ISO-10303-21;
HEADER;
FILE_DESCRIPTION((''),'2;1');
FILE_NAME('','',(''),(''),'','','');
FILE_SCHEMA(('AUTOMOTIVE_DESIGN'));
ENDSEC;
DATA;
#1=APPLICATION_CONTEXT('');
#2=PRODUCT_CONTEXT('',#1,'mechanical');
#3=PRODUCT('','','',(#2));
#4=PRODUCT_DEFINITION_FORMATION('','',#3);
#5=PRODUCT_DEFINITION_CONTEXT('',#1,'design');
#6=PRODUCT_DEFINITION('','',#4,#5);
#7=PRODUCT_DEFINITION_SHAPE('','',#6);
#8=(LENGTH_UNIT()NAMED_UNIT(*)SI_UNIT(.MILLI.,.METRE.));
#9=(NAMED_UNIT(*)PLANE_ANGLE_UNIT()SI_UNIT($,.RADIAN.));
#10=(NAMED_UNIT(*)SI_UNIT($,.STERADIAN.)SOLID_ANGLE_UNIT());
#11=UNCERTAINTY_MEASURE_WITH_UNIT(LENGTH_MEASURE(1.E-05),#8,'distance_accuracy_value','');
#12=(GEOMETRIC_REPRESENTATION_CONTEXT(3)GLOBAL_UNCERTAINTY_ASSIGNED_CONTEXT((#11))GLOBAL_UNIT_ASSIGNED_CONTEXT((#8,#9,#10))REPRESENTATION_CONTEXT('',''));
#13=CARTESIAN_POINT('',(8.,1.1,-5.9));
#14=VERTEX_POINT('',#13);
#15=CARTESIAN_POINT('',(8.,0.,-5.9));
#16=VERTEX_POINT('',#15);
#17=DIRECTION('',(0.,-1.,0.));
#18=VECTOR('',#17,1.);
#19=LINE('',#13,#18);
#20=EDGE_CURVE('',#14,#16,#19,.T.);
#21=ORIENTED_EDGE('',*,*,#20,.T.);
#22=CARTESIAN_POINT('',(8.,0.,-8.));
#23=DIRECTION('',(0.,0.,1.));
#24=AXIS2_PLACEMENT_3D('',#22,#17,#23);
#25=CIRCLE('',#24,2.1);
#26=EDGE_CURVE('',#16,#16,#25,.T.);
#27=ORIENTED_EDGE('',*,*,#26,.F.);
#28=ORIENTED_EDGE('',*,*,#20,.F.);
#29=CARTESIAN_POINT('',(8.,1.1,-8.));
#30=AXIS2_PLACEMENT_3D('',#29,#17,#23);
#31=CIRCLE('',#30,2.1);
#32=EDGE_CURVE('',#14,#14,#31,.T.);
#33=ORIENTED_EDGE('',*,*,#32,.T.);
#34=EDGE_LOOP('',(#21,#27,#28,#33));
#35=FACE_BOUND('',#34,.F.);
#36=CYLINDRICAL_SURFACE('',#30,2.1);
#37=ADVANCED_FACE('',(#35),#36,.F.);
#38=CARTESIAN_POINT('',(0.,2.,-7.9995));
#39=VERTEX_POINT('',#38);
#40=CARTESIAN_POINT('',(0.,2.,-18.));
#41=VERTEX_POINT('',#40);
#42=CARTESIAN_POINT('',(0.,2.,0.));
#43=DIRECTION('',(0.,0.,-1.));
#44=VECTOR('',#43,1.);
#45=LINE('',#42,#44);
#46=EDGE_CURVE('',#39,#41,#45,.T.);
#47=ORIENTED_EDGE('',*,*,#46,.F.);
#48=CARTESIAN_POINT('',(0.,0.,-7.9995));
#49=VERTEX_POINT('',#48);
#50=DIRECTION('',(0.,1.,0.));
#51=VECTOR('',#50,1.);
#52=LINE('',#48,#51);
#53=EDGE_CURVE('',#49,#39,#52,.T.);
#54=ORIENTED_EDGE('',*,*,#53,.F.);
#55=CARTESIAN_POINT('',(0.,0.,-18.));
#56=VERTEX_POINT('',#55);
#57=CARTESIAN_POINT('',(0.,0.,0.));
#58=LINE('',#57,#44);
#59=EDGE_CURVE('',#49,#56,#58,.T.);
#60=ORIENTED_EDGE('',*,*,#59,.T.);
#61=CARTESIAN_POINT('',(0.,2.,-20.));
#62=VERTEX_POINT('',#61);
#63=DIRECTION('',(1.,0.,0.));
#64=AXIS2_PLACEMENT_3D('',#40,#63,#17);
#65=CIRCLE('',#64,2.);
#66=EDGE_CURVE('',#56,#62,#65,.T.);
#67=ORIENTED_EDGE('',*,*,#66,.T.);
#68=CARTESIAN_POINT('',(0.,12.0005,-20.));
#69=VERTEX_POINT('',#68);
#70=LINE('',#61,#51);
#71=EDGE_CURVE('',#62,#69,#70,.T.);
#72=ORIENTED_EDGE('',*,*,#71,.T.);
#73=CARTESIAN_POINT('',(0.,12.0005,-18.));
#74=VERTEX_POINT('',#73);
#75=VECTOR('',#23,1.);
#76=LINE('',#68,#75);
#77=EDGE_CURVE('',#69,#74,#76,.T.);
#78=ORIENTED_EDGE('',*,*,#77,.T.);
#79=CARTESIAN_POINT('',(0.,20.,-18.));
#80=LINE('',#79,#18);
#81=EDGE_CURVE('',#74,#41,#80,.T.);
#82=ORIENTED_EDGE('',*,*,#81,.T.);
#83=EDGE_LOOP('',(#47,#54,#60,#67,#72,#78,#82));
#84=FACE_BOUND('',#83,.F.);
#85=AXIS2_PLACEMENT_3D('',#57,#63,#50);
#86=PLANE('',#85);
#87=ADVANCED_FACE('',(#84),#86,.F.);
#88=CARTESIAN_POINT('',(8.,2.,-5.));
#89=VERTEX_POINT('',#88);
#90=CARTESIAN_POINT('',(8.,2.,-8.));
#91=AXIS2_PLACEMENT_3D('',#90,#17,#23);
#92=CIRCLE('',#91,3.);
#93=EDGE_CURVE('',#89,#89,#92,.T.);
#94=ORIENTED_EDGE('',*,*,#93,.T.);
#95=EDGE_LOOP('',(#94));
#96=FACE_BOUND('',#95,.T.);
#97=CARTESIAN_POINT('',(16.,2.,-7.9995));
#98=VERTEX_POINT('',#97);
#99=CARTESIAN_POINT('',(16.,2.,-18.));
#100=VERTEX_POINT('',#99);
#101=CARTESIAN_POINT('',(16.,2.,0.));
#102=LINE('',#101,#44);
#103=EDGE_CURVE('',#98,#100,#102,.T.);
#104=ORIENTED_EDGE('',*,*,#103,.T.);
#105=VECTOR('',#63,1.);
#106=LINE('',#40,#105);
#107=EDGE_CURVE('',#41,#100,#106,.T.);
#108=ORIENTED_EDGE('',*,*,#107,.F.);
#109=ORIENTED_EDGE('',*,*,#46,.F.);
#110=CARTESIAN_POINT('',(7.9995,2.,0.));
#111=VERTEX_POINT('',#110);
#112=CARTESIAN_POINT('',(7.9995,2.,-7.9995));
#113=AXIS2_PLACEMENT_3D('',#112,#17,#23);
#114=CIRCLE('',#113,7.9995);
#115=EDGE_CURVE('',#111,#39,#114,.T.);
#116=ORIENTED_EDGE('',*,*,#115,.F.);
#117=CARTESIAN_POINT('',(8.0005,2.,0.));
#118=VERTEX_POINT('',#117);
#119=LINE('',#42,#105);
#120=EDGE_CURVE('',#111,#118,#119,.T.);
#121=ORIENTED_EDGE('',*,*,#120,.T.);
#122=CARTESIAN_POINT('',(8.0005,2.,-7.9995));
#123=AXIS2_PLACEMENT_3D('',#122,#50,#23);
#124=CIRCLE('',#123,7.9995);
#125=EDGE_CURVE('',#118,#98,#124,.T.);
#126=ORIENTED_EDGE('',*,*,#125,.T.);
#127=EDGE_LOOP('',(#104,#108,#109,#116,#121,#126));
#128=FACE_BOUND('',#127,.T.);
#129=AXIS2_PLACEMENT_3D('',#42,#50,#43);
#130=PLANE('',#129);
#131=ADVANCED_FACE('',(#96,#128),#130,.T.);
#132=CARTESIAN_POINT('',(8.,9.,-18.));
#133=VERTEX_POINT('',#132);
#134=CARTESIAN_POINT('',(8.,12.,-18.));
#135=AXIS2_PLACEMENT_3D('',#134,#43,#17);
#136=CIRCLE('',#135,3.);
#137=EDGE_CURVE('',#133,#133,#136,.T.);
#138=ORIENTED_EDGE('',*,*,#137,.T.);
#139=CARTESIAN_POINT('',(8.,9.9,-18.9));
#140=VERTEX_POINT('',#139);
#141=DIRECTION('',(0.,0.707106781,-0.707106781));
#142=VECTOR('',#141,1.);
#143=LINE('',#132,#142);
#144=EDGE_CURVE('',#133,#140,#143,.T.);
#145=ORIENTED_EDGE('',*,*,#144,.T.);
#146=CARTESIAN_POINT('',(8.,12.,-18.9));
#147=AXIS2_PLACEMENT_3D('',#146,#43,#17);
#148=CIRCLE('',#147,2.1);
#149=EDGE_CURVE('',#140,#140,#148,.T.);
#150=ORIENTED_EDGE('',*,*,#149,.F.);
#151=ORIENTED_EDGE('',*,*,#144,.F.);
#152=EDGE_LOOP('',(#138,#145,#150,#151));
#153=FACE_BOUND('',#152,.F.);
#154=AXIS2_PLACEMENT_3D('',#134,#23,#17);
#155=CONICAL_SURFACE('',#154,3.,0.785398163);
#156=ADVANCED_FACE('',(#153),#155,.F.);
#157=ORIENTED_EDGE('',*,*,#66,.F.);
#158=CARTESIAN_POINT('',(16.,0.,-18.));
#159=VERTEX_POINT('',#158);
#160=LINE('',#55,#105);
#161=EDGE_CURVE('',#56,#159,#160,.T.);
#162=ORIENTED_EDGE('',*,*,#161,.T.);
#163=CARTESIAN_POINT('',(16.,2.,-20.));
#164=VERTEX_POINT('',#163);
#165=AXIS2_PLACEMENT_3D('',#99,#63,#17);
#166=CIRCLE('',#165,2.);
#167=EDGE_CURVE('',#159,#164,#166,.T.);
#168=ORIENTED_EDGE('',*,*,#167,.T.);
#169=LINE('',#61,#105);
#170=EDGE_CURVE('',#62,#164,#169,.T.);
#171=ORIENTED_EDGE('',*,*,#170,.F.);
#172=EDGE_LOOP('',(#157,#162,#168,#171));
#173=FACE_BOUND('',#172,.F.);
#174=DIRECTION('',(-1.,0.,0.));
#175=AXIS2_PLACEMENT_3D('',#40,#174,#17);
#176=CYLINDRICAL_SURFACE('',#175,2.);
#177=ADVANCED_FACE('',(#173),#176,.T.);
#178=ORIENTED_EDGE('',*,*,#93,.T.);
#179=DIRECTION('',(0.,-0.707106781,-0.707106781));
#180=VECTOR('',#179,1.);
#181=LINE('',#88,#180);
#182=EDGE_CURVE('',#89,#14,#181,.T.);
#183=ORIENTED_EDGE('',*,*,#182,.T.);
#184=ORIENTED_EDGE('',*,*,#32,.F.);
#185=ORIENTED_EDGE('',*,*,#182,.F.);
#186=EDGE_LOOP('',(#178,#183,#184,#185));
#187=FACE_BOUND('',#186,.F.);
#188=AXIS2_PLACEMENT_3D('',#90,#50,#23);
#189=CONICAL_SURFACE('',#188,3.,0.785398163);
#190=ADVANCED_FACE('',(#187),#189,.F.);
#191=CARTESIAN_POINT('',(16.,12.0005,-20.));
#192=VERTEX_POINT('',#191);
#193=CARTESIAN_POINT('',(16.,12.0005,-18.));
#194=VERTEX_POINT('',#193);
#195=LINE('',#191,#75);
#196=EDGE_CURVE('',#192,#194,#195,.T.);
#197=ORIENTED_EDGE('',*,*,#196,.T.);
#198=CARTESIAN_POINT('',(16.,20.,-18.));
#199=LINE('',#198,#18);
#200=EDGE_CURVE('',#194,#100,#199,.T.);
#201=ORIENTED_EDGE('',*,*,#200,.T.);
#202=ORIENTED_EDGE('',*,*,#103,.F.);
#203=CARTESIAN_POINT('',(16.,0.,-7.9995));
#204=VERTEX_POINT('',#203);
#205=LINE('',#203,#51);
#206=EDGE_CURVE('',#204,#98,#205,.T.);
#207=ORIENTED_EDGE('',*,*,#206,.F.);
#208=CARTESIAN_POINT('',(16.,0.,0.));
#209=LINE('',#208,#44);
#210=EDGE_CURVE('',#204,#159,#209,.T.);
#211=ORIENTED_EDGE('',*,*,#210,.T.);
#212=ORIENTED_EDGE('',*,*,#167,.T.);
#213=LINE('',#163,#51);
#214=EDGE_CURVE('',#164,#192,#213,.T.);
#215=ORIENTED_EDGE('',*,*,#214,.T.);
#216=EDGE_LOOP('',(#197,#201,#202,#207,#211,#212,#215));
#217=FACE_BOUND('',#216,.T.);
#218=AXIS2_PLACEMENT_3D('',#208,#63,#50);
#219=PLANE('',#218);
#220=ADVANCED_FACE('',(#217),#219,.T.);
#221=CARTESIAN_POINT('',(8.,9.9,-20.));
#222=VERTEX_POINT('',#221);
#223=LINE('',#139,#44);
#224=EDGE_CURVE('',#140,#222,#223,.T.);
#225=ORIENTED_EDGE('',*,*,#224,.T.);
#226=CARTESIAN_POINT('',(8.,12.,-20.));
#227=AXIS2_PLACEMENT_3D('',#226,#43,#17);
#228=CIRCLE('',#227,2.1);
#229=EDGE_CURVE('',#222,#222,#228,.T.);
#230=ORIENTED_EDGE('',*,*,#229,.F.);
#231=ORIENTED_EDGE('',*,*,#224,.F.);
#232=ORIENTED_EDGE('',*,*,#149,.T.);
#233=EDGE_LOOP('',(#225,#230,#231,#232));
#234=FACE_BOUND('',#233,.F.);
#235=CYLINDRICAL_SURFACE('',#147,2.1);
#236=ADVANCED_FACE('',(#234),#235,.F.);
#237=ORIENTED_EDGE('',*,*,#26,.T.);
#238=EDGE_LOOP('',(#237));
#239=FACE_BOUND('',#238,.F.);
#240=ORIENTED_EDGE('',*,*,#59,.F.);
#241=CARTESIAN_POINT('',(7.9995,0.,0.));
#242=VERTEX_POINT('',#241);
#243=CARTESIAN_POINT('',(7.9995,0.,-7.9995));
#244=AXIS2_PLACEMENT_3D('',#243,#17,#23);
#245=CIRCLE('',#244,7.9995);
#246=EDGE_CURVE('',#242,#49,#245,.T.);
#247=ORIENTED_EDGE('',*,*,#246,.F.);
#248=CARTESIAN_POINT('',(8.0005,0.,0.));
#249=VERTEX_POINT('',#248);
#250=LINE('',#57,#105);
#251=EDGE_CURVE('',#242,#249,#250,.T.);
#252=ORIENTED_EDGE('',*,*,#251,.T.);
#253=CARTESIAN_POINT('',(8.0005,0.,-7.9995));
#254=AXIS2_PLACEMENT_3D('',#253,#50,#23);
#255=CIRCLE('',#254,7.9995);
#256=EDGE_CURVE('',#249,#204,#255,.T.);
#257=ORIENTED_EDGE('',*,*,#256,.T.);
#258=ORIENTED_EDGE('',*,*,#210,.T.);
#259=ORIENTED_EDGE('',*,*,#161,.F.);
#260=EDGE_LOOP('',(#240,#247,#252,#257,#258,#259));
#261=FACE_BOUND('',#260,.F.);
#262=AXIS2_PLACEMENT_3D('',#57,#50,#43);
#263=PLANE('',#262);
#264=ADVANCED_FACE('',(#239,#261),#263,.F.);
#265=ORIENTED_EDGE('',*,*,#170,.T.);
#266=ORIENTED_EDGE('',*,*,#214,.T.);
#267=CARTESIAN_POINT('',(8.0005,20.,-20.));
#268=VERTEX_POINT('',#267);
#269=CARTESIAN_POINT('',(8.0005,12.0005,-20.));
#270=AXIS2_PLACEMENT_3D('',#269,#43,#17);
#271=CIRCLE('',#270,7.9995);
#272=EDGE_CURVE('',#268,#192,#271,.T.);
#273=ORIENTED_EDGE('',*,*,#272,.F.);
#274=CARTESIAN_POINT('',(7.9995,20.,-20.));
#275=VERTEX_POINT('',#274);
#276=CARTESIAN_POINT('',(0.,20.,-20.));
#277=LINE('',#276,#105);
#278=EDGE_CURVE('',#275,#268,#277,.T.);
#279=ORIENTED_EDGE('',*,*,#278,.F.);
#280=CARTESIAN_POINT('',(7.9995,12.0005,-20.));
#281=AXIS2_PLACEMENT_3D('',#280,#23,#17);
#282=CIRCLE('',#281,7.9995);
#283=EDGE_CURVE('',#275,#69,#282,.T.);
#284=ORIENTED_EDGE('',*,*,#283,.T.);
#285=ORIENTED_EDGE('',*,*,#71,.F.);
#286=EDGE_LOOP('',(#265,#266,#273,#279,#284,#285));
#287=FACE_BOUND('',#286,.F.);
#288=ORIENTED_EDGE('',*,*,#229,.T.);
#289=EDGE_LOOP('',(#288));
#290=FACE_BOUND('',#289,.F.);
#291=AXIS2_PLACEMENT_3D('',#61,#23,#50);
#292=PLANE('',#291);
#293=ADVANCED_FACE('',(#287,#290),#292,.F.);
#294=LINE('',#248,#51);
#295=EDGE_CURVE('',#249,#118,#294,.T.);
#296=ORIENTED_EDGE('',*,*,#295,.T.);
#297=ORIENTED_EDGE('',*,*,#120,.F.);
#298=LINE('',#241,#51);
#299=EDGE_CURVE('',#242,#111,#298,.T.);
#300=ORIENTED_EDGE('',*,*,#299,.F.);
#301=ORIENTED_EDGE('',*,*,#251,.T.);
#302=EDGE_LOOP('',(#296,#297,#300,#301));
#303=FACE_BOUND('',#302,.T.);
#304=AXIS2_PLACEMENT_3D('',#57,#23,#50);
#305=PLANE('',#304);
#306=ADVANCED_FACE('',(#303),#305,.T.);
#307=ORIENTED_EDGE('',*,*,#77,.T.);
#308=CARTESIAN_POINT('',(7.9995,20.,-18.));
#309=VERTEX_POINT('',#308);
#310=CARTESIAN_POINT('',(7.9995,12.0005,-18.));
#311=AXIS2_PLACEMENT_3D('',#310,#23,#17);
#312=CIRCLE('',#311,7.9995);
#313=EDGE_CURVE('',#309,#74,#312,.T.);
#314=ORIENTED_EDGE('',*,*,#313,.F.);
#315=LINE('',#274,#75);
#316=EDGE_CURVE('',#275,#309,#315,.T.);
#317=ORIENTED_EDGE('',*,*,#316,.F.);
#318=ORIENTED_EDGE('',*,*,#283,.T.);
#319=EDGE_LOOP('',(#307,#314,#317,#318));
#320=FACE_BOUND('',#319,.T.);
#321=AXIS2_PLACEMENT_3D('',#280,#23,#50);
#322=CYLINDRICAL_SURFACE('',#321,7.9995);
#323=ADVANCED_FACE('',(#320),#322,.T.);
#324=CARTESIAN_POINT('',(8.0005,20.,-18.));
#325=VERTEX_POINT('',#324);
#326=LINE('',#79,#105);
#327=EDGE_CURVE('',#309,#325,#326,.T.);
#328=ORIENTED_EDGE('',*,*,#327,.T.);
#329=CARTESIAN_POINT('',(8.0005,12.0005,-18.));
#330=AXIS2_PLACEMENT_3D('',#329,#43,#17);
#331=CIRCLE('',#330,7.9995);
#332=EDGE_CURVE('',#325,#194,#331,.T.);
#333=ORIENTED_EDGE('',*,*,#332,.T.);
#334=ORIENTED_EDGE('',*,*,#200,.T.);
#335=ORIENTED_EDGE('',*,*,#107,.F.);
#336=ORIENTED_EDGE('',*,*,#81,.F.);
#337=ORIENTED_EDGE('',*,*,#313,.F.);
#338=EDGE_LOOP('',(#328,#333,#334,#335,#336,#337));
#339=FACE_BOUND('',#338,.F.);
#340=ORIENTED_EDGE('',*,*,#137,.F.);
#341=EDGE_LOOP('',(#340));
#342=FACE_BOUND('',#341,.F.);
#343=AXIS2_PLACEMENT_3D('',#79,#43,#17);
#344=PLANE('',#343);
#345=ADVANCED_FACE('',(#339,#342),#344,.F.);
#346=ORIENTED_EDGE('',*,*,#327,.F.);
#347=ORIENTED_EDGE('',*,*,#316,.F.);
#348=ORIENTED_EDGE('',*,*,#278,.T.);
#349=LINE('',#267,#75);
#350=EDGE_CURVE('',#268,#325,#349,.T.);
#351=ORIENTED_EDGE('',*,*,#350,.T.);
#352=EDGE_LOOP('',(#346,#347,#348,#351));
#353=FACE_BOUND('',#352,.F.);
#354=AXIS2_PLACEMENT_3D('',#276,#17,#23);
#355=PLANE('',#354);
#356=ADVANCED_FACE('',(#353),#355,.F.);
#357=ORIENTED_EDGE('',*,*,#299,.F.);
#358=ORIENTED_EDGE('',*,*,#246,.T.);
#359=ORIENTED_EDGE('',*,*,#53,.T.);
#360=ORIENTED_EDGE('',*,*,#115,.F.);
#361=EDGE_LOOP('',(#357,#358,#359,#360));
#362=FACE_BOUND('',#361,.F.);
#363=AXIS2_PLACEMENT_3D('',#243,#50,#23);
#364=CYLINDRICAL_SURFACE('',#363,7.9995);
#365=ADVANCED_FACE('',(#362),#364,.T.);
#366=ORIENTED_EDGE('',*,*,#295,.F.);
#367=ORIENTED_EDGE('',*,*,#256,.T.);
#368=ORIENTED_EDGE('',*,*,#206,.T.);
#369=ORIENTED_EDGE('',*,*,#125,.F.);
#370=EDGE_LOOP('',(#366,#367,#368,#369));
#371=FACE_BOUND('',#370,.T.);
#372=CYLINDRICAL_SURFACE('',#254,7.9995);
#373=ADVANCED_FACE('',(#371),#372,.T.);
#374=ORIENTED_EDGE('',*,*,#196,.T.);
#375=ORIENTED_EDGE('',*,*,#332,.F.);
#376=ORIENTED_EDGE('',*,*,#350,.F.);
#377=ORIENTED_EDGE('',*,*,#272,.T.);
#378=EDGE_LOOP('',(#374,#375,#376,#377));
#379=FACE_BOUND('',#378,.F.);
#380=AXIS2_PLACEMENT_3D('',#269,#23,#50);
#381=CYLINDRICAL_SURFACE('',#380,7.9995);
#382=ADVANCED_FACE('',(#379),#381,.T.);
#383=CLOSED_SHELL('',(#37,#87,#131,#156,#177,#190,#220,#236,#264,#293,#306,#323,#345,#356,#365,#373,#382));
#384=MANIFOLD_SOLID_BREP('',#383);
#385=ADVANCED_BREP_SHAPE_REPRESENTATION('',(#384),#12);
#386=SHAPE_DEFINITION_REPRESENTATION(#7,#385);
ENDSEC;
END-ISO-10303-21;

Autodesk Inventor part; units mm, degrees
ref_plane "YZ Plane" through (0, 0, 0) normal (1, 0, 0) x (0, 1, 0)
ref_plane "XZ Plane" through (0, 0, 0) normal (0, 1, 0) x (-1, 0, 0)
ref_plane "XY Plane" through (0, 0, 0) normal (0, 0, 1) x (1, 0, 0)
sketch "Sketch1" plane through (0, 0, 0) normal (1, 0, 0) x (0, 1, 0)
  line L0 (0, 0) -> (2, 0)
  line L1 (0, 0) -> (0, -18)
  line L2 (2, -20) -> (20, -20)
  line L3 (20, -20) -> (20, -18)
  line L4 (20, -18) -> (2, -18)
  line L5 (2, 0) -> (2, -18)
  arc A0 (0, -18) -> (2, -20) centre (2, -18) ccw
  point P0 (0, -20)
  dimension "d0" = 2
  dimension "d1" = 20
  dimension "d2" = 20
  dimension "d3" = 2
  dimension "d4" = 2
extrude "Extrusion1" add sketch "Sketch1" along normal blind 16
fillet "Fillet2" radius 8 4 edges at (16, 20, -19) (0, 20, -19) (0, 1, 0) (16, 1, 0)
sketch "Sketch2" plane through (0, 2, -18) normal (0, 0, 1) x (1, 0, 0)
  line L0 (0, 0) -> (0, 10) projected
  line L1 (0, 0) -> (16, 0) projected
  line L2 (16, 10) -> (16, 0) projected
  arc A0 (16, 10) -> (0, 10) centre (8, 10) ccw projected
  line L3 (0, 0) -> (16, 0) projected
  point P0 (0, -2)
hole "Hole1" at (8, 12, -18) direction (0, 0, -1) diameter 4.2 end through all countersink diameter 6 countersink angle 90
sketch "Sketch4" plane through (0, 2, -18) normal (0, 1, 0) x (1, 0, 0)
  arc A0 (0, -10) -> (16, -10) centre (8, -10) ccw projected
  line L0 (16, 0) -> (16, -10) projected
  line L1 (0, 0) -> (16, 0) projected
  line L2 (0, -10) -> (0, 0) projected
  point P0 (0, -18)
hole "Hole3" at (8, 2, -8) direction (0, -1, 0) diameter 4.2 end through all countersink diameter 6 countersink angle 90
properties part number "MellewellCornerBrace"
